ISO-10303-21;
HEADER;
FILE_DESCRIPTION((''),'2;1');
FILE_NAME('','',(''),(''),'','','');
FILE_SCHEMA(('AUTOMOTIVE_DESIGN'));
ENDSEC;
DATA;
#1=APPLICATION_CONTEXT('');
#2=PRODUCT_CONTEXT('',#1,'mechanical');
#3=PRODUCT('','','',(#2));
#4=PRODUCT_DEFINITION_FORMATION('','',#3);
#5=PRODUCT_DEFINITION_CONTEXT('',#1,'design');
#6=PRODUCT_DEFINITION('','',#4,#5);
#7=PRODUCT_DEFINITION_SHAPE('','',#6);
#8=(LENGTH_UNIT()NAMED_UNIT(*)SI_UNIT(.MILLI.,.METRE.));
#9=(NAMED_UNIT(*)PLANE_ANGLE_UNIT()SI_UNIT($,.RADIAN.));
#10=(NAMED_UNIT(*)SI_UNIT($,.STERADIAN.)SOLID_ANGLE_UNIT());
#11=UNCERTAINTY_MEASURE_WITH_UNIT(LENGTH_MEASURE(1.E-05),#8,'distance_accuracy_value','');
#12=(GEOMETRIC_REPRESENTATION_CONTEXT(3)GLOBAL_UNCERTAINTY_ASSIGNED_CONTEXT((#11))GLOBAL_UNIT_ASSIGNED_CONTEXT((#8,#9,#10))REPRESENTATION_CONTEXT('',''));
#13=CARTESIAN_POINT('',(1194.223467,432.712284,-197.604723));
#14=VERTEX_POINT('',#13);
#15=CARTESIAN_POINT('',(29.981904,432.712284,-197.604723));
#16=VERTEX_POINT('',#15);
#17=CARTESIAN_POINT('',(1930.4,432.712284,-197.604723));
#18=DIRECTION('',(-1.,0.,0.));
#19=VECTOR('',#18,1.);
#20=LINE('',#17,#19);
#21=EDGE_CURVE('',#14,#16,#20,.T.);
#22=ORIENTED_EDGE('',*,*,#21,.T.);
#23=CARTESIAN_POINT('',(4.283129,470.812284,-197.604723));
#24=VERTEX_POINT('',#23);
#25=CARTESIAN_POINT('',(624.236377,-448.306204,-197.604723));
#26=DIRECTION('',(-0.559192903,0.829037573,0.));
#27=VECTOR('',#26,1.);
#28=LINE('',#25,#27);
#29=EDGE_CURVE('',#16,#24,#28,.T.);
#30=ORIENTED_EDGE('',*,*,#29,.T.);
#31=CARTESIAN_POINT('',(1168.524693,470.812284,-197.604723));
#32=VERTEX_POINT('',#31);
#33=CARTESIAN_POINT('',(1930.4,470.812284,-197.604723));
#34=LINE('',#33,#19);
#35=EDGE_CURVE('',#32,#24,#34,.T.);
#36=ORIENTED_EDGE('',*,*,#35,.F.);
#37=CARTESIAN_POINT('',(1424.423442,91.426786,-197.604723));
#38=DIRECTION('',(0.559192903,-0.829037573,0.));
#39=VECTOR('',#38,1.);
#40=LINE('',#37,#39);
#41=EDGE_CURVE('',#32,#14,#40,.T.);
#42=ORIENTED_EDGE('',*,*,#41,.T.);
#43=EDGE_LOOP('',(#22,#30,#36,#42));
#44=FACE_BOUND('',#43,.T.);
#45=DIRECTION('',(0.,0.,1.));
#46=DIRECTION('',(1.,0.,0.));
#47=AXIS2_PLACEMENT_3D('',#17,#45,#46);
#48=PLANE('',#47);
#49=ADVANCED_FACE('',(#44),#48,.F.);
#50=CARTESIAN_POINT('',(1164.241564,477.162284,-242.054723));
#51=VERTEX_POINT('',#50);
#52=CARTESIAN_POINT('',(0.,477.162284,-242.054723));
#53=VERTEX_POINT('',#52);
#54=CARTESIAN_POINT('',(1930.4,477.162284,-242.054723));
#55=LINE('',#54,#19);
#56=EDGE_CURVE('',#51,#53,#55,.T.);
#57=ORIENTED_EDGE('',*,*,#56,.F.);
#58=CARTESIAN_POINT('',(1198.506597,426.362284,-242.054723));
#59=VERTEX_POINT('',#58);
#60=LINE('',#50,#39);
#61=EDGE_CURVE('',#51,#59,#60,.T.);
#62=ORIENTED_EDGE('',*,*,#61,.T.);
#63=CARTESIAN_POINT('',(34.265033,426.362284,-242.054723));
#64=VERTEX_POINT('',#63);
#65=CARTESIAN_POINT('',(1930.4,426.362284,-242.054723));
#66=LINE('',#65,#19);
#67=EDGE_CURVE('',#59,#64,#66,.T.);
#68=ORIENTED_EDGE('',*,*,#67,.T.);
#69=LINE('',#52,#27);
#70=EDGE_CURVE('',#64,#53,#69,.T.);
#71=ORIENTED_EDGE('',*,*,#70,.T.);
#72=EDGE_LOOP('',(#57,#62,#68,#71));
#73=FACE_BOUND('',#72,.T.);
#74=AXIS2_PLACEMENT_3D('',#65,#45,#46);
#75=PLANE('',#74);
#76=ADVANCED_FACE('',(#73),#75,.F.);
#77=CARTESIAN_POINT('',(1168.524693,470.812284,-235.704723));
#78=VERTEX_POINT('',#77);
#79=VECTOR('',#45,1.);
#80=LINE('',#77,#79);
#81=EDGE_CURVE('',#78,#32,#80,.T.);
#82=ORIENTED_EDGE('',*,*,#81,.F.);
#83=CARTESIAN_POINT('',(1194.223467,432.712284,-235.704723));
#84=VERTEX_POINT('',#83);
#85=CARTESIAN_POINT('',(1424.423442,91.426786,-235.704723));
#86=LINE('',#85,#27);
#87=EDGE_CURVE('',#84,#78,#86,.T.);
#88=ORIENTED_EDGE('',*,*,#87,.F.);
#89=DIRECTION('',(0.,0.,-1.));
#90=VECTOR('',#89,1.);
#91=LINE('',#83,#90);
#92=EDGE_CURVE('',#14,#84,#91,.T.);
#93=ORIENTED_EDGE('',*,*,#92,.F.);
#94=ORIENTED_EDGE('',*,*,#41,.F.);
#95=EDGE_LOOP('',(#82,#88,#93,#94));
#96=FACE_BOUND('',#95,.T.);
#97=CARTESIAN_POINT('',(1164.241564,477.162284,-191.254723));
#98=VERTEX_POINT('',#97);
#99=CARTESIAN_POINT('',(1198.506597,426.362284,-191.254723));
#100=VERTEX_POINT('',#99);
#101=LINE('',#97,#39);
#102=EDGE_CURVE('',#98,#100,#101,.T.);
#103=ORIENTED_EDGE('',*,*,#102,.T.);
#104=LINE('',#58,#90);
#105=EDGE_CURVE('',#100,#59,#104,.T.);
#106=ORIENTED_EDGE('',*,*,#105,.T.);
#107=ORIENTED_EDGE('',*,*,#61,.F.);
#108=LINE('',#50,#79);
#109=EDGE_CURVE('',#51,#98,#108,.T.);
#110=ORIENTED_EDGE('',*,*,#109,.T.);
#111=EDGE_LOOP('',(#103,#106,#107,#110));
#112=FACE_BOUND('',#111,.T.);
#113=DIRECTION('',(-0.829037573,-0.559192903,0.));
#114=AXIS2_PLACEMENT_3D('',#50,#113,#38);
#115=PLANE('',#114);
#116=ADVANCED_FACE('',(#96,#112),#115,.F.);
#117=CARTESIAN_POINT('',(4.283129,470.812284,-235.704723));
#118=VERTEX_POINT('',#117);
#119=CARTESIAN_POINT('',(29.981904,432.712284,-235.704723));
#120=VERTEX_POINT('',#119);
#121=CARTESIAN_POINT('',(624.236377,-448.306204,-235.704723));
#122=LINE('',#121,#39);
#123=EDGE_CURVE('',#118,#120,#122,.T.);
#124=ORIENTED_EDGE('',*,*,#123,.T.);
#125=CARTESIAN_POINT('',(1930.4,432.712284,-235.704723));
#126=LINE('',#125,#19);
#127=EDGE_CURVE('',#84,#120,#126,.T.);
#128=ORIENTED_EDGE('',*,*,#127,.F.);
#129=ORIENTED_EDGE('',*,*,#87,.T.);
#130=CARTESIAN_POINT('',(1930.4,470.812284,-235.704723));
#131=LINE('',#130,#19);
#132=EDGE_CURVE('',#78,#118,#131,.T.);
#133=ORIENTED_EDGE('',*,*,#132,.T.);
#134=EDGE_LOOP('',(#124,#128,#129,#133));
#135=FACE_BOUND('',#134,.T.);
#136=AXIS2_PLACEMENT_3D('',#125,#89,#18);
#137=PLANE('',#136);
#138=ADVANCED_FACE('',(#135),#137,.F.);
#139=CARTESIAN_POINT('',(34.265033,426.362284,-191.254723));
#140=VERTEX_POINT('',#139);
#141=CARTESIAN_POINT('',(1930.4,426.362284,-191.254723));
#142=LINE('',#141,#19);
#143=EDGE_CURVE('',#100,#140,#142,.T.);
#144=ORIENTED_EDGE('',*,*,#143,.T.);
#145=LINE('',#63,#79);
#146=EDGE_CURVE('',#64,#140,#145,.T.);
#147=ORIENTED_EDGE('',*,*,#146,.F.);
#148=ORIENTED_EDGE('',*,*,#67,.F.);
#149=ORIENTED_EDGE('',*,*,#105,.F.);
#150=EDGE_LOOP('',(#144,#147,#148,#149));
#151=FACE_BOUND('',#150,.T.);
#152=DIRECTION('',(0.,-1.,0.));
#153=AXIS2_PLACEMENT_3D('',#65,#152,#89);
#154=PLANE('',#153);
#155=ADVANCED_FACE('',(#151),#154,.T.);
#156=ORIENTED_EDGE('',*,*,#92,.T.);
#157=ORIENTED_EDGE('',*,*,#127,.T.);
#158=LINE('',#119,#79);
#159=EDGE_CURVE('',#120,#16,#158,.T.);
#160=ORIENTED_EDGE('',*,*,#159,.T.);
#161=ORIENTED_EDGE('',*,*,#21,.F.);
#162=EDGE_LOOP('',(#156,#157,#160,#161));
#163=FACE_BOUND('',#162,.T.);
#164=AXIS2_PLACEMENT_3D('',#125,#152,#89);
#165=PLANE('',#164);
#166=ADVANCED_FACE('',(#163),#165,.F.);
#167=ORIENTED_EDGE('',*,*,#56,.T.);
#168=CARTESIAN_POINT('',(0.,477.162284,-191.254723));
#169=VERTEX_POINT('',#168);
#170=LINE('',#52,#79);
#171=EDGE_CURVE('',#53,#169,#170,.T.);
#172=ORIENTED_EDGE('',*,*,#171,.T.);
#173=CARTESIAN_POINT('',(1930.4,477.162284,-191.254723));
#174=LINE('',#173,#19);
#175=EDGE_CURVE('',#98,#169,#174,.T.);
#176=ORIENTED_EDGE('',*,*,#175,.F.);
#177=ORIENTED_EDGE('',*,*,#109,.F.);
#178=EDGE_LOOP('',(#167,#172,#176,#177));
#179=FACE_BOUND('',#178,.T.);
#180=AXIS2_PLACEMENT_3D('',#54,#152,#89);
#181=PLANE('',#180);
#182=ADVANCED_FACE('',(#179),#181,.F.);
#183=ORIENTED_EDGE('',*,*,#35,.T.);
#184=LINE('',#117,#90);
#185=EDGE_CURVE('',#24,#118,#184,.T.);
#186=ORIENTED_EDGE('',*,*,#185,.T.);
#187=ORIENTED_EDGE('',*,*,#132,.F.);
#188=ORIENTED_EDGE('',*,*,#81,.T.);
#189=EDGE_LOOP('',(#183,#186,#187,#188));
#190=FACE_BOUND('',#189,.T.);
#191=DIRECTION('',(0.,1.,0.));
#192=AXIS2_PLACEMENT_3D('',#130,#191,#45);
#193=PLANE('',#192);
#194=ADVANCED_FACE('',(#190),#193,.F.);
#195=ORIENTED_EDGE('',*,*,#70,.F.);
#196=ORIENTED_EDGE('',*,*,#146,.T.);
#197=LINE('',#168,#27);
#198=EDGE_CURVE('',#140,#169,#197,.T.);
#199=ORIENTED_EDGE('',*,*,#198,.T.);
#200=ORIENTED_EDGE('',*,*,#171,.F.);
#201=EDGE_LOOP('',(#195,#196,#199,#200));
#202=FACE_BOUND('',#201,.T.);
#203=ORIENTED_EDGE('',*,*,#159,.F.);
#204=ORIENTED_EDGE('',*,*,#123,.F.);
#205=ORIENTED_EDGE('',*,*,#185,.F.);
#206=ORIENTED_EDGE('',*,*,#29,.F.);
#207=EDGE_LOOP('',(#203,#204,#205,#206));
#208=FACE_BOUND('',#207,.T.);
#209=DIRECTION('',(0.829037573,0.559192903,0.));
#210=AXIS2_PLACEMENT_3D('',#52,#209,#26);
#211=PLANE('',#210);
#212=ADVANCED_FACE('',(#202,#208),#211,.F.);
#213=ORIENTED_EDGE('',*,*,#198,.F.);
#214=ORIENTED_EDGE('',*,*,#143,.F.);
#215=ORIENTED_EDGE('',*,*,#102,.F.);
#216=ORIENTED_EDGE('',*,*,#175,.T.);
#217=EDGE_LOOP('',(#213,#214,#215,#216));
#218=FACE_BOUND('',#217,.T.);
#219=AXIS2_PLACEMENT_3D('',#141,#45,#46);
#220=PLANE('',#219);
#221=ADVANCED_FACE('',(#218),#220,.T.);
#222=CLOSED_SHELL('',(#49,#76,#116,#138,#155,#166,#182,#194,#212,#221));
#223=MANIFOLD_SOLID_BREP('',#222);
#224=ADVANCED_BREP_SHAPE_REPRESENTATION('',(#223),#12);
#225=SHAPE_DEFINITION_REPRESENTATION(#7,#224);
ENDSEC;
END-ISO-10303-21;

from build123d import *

# Parameters (mm, degrees)
SKETCH2_W           = 50.8
SKETCH2_H           = 50.8
BOSS_EXTRUDE1_DEPTH = 1930.4
SKETCH4_W           = 38.1
SKETCH4_H           = 38.1
CUT_EXTRUDE1_DEPTH  = 2004.17710002
CUT_EXTRUDE2_DEPTH  = 1990.147718313


with BuildPart() as part:
    # Sketch2 → Boss-Extrude1 (new body)
    with BuildSketch(Plane(origin=(0, 0, 0), x_dir=(0, 0, -1), z_dir=(1, 0, 0))):
        with Locations((216.654722693, 451.762283996)):
            Rectangle(SKETCH2_W, SKETCH2_H)
    extrude(amount=BOSS_EXTRUDE1_DEPTH)

    # Sketch4 → Cut-Extrude1 (cut, through all)
    with BuildSketch(Plane.ZY):
        with Locations((-216.654722693, 451.762283996)):
            Rectangle(SKETCH4_W, SKETCH4_H)
    extrude(amount=-CUT_EXTRUDE1_DEPTH, mode=Mode.SUBTRACT)

    # Sketch5 → Cut-Extrude2 (cut, through all)
    with BuildSketch(Plane.XY.offset(-191.254722693)):
        Polygon((0, 477.162283996), (34.265032656, 426.362283996), (0, 426.362283996), align=None)
        Polygon((1164.241563896, 477.162283996), (1930.4, -658.714309068), (1930.4, 477.162283996), align=None)
    extrude(amount=-CUT_EXTRUDE2_DEPTH, mode=Mode.SUBTRACT)


solid = part.part
